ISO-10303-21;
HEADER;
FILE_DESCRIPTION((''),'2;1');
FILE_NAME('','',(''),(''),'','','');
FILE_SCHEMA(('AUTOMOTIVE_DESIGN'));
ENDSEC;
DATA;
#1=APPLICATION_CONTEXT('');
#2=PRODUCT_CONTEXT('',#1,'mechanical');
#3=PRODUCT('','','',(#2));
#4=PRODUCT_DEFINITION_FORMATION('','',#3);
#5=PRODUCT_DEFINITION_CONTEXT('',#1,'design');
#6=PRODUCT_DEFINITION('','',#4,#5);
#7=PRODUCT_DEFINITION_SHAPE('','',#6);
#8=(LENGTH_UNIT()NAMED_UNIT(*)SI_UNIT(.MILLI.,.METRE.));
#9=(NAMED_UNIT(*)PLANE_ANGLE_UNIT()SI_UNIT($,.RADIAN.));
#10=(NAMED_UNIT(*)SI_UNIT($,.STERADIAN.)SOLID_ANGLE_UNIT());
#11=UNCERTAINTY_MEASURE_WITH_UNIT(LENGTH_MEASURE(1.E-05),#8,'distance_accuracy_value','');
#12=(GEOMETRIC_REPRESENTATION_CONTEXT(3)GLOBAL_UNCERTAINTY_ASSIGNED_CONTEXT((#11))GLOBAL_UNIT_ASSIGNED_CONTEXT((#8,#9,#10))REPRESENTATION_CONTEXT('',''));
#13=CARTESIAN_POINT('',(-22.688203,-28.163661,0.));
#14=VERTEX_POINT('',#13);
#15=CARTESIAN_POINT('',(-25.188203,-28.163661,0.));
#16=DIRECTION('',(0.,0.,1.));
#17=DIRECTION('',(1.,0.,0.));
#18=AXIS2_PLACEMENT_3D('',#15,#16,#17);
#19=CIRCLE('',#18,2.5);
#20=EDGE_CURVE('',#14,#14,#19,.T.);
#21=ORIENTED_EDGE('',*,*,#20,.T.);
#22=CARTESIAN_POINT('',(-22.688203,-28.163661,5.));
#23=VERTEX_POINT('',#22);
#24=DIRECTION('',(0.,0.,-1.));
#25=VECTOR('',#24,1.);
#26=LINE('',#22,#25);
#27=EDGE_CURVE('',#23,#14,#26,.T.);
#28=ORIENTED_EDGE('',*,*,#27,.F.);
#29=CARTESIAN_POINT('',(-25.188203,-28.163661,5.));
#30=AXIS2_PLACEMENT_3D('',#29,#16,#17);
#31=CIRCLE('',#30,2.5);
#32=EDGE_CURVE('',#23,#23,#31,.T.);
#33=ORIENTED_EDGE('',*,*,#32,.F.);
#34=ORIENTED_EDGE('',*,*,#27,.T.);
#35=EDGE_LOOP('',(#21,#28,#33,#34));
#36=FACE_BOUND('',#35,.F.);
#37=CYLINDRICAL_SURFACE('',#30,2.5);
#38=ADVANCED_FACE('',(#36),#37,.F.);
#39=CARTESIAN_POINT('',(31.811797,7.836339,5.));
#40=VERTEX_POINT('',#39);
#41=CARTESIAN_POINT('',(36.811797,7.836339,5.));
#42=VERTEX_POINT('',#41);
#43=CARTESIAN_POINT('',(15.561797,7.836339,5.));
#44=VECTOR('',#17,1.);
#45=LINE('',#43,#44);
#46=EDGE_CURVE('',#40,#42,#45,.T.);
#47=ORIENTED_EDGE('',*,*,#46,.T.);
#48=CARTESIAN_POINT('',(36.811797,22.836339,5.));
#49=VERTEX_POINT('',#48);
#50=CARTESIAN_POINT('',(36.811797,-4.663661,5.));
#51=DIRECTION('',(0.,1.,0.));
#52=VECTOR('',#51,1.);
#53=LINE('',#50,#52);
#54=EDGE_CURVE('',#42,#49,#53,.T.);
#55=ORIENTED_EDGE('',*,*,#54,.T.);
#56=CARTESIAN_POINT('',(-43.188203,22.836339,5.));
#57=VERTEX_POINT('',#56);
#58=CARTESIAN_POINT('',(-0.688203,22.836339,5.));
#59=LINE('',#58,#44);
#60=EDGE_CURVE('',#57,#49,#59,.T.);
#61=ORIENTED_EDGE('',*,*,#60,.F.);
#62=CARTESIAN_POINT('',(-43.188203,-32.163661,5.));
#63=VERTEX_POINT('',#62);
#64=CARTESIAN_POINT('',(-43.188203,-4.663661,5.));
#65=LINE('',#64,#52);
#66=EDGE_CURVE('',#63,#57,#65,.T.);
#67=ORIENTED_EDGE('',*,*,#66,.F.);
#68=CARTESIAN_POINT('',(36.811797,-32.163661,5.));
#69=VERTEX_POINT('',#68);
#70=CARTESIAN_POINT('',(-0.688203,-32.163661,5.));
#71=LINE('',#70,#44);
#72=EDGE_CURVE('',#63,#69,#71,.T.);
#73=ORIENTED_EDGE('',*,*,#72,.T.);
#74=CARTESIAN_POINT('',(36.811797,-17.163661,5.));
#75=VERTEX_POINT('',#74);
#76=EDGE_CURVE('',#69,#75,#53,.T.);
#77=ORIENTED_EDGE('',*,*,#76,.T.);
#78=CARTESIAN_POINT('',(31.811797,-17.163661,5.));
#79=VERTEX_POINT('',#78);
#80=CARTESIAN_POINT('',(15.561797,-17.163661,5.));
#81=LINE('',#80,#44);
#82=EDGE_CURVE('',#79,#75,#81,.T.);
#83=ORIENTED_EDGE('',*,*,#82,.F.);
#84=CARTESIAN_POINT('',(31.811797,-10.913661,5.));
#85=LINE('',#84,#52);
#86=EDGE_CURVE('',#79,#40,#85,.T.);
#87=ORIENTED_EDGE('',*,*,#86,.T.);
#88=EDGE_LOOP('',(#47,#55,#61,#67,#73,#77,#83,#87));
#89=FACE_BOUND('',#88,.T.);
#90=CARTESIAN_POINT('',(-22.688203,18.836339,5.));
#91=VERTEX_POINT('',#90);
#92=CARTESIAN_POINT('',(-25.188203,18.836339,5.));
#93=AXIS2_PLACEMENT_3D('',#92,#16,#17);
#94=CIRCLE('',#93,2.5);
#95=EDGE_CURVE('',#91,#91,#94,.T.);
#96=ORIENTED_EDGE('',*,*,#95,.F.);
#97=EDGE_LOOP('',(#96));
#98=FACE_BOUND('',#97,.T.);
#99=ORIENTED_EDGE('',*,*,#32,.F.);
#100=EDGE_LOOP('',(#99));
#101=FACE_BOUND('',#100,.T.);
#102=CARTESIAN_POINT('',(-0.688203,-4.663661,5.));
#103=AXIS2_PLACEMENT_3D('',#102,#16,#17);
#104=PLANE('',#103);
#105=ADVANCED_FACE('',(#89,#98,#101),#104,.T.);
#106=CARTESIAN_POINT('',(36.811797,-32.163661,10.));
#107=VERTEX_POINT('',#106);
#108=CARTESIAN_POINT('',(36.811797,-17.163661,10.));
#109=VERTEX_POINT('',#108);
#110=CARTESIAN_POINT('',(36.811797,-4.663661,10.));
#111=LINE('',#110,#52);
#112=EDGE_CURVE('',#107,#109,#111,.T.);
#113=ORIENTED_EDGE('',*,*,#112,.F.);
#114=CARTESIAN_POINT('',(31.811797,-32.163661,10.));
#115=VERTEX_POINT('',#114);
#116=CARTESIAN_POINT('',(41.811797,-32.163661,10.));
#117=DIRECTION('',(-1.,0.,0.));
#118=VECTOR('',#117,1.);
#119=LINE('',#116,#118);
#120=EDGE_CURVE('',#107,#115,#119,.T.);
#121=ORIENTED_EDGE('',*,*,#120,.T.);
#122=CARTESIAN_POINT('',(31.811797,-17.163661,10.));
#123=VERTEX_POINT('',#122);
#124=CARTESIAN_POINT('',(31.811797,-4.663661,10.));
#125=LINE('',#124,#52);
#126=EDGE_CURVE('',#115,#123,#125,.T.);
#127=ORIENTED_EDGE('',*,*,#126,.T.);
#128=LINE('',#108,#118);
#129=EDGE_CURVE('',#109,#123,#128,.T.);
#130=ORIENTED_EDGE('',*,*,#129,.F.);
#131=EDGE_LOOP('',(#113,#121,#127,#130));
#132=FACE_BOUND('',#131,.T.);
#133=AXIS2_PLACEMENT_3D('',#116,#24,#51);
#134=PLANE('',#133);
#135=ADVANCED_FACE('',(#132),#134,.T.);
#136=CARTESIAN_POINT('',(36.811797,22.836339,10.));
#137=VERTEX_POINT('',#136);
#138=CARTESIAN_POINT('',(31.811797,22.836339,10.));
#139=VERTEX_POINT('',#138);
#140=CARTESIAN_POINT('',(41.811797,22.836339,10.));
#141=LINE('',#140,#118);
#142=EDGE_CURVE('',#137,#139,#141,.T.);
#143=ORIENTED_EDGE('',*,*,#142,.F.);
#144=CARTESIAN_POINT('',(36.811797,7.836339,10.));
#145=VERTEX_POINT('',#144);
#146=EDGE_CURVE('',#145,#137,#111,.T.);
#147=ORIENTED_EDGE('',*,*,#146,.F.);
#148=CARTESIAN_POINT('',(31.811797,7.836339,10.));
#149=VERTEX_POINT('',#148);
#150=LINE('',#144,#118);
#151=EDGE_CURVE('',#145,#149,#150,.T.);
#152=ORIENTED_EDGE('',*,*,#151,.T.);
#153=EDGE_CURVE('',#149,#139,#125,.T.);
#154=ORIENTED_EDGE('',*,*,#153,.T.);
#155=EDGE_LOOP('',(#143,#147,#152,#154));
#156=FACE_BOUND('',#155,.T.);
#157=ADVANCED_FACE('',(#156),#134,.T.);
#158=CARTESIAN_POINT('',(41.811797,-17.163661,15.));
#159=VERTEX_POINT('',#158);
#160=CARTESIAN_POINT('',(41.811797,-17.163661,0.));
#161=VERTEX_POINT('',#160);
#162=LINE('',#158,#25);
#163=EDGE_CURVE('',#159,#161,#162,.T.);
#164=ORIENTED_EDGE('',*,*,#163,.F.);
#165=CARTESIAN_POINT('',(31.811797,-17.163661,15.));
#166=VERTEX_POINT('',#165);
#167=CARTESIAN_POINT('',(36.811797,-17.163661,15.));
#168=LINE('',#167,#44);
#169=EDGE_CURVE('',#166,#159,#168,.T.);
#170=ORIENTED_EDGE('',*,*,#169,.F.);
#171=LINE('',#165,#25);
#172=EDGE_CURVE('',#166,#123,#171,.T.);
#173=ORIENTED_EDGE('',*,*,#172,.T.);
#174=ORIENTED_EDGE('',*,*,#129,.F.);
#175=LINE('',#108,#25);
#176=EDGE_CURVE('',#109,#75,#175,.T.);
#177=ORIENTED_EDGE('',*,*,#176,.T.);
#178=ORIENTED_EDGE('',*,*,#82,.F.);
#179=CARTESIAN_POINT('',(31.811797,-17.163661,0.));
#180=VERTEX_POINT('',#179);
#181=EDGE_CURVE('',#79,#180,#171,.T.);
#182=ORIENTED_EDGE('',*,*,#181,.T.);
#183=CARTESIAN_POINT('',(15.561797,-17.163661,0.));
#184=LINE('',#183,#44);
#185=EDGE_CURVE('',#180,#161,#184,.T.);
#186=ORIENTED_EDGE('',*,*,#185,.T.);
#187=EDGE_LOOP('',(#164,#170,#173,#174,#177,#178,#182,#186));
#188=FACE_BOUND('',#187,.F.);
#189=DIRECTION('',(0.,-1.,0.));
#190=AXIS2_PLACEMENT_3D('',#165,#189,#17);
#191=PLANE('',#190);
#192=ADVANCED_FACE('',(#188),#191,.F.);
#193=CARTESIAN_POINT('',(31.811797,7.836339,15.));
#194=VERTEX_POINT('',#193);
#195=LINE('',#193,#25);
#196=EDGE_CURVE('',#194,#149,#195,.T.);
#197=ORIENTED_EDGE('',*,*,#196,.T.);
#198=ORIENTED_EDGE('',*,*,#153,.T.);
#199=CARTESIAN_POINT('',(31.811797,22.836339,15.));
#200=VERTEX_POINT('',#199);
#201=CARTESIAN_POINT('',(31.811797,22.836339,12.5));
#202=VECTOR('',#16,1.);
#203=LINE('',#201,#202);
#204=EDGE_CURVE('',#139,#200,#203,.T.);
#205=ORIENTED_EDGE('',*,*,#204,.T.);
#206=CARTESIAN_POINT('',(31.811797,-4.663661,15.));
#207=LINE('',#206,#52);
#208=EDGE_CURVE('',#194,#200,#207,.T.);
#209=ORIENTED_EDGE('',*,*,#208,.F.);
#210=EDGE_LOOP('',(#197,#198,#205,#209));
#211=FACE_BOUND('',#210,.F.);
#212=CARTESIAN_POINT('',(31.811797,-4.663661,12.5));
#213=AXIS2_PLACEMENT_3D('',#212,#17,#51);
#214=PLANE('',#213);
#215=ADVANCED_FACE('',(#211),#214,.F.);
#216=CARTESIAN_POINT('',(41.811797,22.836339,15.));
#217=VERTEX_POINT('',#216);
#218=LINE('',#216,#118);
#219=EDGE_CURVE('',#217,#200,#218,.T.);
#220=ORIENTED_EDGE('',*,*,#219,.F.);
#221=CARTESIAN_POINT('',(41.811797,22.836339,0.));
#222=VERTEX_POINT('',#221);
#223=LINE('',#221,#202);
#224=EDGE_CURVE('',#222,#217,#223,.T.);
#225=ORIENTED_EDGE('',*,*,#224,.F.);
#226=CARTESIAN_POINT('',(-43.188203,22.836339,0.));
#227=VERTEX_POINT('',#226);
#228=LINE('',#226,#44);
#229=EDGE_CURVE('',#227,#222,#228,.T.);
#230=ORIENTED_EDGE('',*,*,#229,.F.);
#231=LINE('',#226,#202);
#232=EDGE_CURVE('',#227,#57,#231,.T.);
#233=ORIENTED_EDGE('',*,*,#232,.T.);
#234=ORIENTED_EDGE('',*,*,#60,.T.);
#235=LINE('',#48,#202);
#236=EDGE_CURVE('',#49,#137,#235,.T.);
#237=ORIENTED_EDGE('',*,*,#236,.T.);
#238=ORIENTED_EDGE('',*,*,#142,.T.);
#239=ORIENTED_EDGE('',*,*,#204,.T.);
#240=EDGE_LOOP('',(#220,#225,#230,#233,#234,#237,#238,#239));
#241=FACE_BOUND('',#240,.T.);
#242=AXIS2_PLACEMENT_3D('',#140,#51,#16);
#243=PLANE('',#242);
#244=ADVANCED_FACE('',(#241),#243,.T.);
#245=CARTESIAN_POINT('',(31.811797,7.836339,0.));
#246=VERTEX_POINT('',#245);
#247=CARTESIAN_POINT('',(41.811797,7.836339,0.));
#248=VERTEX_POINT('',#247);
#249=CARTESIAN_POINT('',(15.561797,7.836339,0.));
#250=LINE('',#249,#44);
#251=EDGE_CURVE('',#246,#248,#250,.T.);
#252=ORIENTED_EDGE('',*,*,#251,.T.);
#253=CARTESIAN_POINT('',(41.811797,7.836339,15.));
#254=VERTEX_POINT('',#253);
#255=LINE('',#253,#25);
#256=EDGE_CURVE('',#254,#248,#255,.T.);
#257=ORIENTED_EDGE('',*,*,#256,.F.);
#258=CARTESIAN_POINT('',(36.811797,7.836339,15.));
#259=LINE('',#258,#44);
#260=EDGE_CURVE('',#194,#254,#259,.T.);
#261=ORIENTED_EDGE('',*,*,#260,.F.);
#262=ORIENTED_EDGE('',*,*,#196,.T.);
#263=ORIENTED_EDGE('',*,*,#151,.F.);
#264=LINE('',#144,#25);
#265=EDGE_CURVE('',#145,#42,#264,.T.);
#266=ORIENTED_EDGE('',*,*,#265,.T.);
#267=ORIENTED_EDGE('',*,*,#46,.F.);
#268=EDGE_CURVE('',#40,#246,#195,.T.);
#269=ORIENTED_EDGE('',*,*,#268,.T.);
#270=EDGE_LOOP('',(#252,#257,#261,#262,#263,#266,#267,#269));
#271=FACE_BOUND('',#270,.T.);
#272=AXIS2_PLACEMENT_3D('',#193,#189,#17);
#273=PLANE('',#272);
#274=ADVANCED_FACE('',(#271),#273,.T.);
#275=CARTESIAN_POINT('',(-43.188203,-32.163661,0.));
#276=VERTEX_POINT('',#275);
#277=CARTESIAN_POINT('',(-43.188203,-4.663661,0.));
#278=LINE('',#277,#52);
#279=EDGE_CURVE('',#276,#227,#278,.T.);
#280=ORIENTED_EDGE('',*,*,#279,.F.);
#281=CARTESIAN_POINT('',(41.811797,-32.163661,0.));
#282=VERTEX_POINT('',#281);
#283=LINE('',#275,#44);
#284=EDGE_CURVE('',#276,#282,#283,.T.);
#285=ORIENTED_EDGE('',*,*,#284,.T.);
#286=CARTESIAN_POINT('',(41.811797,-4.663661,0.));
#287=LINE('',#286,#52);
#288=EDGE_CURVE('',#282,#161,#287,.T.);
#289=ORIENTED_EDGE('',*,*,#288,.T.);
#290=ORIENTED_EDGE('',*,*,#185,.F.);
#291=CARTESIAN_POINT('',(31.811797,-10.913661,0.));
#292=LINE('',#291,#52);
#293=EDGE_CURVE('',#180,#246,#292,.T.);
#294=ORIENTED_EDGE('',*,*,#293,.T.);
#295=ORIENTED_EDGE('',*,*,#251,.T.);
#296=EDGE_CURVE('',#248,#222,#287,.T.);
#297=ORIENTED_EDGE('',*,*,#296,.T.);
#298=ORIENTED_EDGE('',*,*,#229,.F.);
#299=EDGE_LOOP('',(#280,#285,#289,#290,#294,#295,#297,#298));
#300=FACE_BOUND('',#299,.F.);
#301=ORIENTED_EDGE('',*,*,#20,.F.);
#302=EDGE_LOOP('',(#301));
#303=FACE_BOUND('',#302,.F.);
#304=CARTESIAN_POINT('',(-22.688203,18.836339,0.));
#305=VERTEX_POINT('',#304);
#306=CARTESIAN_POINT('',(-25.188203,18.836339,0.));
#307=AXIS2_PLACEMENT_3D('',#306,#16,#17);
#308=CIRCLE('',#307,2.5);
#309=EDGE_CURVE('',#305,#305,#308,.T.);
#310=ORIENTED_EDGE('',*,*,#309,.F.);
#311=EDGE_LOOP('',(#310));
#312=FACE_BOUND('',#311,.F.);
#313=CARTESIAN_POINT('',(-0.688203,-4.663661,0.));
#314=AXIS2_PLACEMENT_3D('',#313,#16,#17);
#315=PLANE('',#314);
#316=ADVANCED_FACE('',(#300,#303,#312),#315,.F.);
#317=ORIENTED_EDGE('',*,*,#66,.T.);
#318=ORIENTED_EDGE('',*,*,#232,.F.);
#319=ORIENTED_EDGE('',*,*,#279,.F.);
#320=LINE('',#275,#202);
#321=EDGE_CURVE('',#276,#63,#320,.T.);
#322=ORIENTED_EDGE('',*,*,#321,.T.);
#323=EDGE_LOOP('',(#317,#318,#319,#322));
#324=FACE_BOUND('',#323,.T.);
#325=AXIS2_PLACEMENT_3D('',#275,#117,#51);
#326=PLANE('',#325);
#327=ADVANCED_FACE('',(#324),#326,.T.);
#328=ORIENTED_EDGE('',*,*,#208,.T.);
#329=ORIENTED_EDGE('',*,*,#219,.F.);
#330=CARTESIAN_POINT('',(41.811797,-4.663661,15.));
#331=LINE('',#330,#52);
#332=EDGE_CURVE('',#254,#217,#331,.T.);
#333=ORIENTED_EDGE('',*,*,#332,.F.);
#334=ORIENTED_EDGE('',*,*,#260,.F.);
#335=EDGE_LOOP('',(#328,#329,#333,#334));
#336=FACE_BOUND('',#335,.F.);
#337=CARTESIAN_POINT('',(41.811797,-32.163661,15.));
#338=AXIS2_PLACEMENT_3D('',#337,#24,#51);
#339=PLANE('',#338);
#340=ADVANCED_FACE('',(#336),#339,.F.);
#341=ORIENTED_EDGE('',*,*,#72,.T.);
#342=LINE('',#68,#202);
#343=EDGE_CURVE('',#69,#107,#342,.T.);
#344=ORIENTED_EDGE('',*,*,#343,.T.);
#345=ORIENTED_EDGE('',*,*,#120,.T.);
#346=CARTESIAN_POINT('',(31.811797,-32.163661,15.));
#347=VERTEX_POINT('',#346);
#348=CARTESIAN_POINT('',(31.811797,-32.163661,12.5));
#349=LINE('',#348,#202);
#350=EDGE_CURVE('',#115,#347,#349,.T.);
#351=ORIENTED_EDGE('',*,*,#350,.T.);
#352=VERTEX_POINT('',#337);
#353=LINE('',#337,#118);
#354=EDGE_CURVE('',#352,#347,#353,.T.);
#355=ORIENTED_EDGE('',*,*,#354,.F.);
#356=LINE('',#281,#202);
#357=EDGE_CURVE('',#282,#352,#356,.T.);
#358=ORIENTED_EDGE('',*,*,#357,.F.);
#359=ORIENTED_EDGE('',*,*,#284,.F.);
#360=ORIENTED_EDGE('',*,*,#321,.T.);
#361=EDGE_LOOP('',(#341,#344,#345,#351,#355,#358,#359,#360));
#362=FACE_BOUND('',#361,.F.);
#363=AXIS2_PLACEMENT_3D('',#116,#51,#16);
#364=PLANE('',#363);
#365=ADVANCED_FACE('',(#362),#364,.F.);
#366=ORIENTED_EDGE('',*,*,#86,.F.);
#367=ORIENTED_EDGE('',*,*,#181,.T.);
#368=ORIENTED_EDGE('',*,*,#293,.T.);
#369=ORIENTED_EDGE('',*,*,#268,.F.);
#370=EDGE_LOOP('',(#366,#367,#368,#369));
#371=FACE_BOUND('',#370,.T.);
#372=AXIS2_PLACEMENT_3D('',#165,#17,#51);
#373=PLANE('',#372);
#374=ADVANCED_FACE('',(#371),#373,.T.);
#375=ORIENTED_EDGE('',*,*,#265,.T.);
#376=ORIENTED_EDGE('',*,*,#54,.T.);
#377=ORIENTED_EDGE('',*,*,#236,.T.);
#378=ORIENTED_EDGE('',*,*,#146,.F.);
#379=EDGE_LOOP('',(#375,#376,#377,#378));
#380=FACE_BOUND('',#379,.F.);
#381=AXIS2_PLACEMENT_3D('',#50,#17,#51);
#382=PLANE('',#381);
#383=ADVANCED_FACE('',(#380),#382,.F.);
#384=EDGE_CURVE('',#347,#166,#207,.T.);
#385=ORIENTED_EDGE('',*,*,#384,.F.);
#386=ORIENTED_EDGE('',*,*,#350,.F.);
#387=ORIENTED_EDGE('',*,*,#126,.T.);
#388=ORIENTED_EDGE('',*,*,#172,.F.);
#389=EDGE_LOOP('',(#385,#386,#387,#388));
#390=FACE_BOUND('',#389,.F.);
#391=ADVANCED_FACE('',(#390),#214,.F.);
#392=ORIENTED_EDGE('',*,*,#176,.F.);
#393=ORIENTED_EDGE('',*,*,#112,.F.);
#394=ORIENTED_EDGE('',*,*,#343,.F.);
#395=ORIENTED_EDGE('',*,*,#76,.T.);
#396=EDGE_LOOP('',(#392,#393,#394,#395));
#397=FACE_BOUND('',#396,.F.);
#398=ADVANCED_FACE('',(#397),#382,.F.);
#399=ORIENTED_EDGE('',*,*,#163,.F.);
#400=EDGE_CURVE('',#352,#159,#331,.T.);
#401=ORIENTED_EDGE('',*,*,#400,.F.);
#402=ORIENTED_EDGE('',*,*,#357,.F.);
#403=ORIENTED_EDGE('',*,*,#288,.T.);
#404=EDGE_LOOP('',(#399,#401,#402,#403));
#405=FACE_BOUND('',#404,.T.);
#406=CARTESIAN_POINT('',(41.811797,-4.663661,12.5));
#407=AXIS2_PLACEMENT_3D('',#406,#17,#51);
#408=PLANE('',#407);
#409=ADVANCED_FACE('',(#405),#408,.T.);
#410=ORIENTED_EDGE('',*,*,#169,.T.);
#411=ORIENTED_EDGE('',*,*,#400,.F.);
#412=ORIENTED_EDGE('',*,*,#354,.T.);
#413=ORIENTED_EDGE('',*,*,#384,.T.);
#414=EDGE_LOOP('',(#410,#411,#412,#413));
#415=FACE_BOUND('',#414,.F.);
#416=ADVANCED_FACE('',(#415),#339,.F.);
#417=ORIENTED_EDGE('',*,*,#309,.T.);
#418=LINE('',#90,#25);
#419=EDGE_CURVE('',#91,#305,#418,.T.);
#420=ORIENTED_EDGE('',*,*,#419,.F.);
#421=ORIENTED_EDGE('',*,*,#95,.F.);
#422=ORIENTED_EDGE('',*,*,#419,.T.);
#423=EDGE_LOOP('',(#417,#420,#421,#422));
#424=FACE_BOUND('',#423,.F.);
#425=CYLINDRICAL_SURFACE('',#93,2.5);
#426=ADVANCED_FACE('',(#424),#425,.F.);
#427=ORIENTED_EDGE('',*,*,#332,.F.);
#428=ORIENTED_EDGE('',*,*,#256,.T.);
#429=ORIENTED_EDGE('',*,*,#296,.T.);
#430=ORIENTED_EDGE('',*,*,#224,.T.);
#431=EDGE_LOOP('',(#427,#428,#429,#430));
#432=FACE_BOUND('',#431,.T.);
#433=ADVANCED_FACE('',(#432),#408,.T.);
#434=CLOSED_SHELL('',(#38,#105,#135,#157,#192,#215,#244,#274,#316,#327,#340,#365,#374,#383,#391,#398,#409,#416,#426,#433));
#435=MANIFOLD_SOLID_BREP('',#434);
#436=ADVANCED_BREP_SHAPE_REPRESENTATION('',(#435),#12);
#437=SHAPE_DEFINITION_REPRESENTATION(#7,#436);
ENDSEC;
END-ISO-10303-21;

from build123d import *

# Parameters (mm, degrees)
F0_W     = 85
F0_H     = 55
F1_DEPTH = 5
F2_W     = 55
F2_H     = 10
F3_DEPTH = 5
F4_W     = 55
F4_H     = 5
F5_DEPTH = 10
F6_W     = 10
F6_H     = 25
F7_DEPTH = 23.6
F8_R     = 2.5
F9_DEPTH = 25


with BuildPart() as f1:
    # F0 (on Top) → F1 (new body)
    with BuildSketch(Plane.XY):
        with Locations((-0.6882026792, -4.6636614819)):
            Rectangle(F0_W, F0_H)
    extrude(amount=F1_DEPTH)

    # F2 (on face) → F3 (join)
    with BuildSketch(Plane.YZ.offset(41.8117973208)):
        with Locations((-4.6636614819, 5)):
            Rectangle(F2_W, F2_H)
    extrude(amount=-F3_DEPTH)

    # F4 (on face) → F5 (join)
    with BuildSketch(Plane.YZ.offset(41.8117973208)):
        with Locations((-4.6636614819, 12.5)):
            Rectangle(F4_W, F4_H)
    extrude(amount=-F5_DEPTH)

    # F6 (on face) → F7 (cut)
    with BuildSketch(Plane.XY.offset(15)):
        with Locations((36.8117973208, -4.6636614819)):
            Rectangle(F6_W, F6_H)
    extrude(amount=-F7_DEPTH, mode=Mode.SUBTRACT)

    # F8 (on face) → F9 (cut)
    with BuildSketch(Plane.XY.offset(5)):
        with Locations((-25.1882026792, -28.1636614819)):
            Circle(F8_R)
        with Locations((-25.1882026792, 18.8363385181)):
            Circle(F8_R)
    extrude(amount=-F9_DEPTH, mode=Mode.SUBTRACT)


solid = f1.part
